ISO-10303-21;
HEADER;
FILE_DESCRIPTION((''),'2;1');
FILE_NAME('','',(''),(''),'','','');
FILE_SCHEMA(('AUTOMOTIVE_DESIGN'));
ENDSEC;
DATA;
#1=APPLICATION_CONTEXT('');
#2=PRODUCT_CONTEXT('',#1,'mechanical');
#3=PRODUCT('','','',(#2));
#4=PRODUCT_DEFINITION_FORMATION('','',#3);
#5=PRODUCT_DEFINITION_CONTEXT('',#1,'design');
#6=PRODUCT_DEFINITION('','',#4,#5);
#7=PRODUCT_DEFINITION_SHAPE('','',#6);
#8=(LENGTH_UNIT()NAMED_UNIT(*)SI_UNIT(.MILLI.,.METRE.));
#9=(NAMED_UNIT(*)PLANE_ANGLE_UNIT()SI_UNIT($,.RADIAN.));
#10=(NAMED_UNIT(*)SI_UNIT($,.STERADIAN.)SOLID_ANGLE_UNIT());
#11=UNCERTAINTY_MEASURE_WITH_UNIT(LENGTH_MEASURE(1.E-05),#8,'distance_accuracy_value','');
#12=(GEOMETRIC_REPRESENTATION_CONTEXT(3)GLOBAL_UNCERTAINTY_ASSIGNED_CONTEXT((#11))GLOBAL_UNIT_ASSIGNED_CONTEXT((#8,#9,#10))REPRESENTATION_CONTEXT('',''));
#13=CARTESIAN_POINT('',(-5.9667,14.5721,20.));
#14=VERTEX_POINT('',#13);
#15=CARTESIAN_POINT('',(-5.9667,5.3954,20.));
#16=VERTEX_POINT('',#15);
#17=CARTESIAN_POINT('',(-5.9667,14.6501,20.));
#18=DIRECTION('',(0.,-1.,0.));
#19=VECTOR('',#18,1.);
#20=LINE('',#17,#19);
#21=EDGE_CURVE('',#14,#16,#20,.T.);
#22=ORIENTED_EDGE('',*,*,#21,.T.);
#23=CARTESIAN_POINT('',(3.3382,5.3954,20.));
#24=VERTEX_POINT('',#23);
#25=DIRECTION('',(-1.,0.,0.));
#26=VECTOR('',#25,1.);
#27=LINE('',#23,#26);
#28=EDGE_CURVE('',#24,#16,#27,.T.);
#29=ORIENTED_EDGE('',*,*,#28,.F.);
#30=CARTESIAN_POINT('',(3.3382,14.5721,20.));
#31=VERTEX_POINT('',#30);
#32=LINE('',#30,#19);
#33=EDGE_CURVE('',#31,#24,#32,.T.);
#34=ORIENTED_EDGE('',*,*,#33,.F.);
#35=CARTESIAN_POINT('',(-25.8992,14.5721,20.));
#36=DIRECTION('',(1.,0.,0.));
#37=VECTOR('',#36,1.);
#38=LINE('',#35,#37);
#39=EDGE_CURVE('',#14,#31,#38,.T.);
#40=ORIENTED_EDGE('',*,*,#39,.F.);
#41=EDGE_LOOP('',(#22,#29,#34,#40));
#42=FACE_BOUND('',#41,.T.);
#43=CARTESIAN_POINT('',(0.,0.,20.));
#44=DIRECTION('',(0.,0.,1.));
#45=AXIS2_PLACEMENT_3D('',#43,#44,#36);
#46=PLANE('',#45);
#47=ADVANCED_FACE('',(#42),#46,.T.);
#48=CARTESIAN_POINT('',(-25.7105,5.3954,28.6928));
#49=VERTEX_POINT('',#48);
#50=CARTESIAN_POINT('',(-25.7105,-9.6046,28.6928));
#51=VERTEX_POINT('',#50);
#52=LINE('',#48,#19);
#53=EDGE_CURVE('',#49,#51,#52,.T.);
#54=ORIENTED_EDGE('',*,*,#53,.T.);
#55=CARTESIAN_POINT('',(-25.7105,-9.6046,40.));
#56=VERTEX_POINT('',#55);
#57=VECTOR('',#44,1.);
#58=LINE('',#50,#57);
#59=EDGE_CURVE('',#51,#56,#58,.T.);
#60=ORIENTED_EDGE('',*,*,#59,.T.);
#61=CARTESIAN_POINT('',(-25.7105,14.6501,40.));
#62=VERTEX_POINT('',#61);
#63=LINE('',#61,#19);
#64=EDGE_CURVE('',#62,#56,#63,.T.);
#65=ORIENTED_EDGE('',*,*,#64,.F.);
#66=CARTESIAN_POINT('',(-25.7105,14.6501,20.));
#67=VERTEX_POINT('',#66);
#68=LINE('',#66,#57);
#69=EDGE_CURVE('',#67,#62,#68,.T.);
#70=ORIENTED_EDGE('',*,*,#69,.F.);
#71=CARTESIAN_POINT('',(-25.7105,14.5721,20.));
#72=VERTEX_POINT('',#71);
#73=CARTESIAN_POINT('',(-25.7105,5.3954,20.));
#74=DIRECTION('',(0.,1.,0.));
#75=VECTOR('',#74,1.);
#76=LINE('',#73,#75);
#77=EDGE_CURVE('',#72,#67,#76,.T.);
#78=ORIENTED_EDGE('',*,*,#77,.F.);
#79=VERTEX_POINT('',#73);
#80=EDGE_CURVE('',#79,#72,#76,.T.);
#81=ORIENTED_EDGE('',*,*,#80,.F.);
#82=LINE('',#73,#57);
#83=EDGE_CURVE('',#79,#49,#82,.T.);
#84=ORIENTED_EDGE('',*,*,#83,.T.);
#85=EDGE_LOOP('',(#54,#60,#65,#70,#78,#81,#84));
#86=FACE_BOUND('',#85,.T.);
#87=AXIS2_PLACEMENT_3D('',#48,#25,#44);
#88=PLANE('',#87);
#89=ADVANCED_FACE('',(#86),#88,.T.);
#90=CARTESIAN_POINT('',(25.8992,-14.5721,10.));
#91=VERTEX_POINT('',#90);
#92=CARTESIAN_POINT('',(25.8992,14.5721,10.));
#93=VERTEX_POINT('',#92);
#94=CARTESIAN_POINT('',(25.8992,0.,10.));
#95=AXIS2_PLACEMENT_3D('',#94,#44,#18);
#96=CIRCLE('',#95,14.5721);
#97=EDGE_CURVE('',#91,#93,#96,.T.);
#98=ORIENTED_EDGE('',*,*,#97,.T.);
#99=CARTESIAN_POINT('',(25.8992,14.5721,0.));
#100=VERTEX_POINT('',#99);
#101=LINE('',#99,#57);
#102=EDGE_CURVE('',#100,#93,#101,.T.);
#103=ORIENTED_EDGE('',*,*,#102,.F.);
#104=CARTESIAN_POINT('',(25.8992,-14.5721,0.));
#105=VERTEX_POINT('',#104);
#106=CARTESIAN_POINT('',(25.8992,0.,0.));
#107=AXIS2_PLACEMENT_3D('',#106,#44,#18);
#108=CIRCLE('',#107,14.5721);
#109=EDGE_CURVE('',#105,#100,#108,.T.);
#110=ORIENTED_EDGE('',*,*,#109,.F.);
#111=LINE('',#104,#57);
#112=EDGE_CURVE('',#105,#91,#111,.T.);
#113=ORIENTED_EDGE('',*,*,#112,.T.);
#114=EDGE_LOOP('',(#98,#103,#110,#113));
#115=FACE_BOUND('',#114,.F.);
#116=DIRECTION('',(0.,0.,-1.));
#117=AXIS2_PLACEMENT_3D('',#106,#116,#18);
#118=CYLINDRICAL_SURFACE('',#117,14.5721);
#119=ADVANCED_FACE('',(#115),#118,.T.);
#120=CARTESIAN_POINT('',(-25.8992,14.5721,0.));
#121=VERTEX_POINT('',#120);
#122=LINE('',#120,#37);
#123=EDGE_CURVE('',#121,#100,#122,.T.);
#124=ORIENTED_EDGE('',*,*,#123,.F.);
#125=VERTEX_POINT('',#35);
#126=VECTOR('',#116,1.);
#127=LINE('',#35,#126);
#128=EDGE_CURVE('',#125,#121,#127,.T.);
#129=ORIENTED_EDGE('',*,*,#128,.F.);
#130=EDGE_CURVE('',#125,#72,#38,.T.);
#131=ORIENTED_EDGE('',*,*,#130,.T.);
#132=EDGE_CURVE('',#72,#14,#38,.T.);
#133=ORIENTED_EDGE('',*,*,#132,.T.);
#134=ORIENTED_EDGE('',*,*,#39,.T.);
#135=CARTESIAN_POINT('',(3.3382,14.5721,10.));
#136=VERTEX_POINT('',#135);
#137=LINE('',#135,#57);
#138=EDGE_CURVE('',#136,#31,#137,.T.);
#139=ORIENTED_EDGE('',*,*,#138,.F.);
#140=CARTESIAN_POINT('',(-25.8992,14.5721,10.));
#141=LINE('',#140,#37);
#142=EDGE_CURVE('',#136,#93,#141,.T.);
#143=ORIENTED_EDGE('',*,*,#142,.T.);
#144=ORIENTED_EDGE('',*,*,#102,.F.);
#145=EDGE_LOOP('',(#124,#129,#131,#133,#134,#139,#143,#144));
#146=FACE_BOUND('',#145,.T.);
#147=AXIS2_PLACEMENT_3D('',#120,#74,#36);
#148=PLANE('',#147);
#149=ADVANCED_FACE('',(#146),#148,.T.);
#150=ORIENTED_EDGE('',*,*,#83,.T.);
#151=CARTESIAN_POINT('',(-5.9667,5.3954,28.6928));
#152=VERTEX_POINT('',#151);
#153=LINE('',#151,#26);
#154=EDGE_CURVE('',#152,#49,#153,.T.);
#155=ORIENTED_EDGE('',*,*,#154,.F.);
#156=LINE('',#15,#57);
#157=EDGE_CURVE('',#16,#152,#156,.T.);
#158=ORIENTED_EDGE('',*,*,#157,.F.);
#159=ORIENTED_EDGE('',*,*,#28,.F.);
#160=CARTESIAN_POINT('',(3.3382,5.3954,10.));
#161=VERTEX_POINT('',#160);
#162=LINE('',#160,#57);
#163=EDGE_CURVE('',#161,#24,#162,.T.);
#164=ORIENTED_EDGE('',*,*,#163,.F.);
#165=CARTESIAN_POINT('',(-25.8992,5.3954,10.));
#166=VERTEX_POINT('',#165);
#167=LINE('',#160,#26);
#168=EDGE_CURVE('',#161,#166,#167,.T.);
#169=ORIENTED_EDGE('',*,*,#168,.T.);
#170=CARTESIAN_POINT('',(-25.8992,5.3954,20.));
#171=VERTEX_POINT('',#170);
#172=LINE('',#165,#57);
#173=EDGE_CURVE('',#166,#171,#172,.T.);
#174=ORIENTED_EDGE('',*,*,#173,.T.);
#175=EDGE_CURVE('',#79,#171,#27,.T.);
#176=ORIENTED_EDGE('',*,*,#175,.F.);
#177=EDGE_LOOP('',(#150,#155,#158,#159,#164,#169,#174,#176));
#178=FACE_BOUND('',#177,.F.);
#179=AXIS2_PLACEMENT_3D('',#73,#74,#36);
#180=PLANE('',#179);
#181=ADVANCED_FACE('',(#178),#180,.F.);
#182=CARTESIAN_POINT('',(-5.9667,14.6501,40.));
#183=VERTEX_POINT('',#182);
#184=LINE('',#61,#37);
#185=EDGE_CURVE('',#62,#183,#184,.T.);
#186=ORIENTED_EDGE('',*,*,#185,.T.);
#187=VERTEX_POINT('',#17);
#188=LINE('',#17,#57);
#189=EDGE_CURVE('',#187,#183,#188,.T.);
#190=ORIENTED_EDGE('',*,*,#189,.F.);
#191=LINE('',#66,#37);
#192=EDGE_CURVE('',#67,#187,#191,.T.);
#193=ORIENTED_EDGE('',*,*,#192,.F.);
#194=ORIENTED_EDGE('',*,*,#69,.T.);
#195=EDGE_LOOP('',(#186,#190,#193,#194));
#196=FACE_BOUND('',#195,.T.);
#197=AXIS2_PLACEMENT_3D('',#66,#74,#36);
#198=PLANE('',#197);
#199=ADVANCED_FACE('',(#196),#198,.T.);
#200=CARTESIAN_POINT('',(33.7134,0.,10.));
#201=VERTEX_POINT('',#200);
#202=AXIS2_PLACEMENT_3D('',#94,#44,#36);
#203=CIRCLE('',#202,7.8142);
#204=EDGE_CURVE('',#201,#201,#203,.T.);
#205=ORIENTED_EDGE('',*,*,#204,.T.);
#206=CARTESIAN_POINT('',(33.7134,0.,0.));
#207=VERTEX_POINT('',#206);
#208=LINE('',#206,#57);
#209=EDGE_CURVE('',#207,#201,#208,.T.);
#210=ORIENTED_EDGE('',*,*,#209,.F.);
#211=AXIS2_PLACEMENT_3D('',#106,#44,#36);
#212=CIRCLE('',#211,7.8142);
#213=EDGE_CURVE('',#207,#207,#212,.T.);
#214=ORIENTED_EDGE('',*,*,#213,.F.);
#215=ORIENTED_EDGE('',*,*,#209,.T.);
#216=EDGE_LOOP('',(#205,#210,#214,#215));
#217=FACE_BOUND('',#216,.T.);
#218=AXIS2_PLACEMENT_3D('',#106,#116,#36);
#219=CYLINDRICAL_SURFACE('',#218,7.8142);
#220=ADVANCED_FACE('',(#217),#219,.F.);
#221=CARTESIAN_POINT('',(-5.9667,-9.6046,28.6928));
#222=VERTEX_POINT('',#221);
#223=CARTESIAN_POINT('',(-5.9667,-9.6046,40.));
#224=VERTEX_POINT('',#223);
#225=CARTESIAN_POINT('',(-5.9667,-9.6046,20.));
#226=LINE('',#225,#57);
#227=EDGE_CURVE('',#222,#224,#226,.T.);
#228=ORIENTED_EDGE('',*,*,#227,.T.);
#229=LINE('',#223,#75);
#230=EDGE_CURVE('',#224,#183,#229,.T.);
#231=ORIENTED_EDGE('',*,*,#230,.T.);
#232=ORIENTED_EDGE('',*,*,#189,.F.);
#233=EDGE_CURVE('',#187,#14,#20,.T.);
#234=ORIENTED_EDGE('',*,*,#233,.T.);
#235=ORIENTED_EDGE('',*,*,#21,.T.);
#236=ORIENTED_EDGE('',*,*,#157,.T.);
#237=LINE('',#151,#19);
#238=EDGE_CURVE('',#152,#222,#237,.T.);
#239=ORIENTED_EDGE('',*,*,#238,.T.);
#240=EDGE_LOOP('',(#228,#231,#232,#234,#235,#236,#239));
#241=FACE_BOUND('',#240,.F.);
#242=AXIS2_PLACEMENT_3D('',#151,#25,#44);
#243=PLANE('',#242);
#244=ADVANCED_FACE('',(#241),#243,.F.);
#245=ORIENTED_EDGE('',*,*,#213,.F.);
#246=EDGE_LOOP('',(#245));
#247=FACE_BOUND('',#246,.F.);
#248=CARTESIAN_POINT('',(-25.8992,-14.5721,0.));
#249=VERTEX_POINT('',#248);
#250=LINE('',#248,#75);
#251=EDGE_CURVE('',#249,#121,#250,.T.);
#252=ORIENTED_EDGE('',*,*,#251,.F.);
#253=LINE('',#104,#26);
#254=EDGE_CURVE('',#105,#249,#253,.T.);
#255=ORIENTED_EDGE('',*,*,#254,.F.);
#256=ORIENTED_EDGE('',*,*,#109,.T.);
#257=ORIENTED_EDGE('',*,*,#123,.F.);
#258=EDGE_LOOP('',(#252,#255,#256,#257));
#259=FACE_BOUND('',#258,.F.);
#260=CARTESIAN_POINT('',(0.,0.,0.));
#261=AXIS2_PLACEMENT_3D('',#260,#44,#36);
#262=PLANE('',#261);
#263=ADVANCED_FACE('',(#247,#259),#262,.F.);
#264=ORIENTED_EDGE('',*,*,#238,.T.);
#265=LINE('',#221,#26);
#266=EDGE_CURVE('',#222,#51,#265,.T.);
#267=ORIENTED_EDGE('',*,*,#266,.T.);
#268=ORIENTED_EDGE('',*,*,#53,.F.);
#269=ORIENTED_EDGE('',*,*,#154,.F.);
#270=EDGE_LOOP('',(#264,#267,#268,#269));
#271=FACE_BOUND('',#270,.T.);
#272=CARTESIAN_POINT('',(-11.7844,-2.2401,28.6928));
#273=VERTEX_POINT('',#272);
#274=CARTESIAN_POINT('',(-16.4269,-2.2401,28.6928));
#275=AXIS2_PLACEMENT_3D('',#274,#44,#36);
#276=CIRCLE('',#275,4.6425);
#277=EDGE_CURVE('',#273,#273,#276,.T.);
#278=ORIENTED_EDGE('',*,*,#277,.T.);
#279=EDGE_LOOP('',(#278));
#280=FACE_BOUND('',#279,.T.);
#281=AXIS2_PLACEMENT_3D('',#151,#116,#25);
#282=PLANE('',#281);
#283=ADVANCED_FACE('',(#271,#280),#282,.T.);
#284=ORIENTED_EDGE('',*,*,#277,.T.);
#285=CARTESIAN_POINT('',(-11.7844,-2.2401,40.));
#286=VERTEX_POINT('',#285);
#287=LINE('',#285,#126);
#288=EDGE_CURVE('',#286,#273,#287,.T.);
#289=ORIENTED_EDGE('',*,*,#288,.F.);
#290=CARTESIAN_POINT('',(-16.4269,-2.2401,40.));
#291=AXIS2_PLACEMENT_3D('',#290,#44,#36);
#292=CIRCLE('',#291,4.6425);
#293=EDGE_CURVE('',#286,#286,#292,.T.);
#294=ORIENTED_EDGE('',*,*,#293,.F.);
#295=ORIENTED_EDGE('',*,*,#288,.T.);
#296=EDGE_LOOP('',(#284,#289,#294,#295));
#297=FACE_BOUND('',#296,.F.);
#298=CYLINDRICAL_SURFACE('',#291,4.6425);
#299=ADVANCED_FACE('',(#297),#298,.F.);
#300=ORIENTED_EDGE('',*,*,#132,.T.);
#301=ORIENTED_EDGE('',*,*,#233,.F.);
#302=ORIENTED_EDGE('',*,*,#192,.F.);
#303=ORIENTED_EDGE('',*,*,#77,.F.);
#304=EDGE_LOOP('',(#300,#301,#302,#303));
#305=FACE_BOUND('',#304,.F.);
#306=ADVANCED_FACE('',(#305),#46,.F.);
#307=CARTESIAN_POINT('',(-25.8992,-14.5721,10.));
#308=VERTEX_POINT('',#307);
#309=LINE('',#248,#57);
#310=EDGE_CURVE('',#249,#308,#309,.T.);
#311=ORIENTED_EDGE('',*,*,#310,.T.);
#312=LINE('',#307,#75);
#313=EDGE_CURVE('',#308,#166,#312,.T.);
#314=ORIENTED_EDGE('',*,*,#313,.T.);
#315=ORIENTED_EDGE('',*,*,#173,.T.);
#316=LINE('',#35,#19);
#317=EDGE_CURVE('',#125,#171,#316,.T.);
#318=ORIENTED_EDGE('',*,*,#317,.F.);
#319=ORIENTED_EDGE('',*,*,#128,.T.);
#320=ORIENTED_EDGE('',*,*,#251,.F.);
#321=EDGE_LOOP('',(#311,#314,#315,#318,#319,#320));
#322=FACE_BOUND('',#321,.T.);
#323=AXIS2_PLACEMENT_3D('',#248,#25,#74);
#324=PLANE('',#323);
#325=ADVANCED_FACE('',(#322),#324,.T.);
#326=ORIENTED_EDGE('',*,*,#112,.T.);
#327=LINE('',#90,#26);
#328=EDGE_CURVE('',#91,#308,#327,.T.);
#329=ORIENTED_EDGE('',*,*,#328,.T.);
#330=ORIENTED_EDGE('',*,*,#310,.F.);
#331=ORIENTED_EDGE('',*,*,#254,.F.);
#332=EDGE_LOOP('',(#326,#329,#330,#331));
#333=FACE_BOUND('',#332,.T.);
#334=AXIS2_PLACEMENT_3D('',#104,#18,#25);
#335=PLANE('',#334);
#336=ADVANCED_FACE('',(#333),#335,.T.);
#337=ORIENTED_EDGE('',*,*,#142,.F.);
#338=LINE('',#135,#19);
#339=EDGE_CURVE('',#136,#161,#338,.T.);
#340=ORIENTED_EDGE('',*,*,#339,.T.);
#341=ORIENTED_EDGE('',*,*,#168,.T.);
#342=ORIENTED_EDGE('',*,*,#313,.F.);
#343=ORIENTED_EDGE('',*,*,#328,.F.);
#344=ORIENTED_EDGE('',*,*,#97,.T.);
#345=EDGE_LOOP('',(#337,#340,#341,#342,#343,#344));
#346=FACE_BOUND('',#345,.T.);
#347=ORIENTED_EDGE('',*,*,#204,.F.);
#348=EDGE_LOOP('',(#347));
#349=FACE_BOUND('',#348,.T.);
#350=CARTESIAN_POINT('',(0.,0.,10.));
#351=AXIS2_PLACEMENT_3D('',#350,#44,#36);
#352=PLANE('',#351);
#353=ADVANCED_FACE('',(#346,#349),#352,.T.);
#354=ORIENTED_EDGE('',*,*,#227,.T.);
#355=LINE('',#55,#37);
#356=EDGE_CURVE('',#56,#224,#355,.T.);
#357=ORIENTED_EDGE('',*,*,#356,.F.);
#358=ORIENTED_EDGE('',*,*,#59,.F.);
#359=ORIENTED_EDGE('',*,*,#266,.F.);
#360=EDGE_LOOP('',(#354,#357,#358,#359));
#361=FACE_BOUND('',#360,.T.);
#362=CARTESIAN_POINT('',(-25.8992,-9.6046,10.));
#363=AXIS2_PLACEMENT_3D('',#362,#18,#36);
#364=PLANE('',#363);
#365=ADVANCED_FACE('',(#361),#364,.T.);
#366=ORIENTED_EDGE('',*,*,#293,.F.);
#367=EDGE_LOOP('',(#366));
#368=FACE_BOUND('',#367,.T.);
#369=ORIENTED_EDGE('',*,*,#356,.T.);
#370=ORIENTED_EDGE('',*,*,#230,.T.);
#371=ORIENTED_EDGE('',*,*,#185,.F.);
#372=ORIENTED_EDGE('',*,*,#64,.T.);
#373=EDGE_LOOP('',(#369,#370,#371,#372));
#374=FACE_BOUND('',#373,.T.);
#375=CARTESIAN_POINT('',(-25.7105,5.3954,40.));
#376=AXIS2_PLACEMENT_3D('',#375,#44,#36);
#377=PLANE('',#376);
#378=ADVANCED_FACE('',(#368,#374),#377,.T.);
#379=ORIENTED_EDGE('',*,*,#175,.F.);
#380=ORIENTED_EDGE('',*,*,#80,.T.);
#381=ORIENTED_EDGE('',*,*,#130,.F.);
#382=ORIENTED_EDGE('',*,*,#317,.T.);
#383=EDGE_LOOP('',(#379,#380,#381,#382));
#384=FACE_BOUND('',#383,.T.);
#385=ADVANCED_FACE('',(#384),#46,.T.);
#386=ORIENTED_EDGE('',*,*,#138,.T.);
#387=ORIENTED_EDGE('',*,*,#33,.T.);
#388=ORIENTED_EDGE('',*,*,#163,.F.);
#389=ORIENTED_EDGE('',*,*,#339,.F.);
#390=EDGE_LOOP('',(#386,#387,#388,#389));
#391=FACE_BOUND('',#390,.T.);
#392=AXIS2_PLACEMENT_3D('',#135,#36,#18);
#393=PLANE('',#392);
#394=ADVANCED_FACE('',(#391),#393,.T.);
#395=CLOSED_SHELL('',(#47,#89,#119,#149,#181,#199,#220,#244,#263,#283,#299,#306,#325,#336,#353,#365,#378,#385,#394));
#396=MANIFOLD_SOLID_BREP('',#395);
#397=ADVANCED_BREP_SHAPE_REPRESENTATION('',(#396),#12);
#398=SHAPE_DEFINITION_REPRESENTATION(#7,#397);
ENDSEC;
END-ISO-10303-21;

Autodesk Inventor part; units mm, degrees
ref_plane "YZ Plane" through (0, 0, 0) normal (1, 0, 0) x (0, 1, 0)
ref_plane "XZ Plane" through (0, 0, 0) normal (0, 1, 0) x (-1, 0, 0)
ref_plane "XY Plane" through (0, 0, 0) normal (0, 0, 1) x (1, 0, 0)
sketch "스케치1" plane through (0, 0, 0) normal (0, 0, 1) x (1, 0, 0)
  line L0 (25.8992, -14.5721) -> (-25.8992, -14.5721)
  line L1 (-25.8992, -14.5721) -> (-25.8992, 14.5721)
  line L2 (-25.8992, 14.5721) -> (25.8992, 14.5721)
  line L3 (25.8992, -14.5721) -> (-25.8992, 14.5721) construction
  line L4 (-25.8992, -14.5721) -> (25.8992, 14.5721) construction
  arc A0 (25.8992, -14.5721) -> (25.8992, 14.5721) centre (25.8992, 0) ccw
  circle A1 centre (25.8992, 0) radius 7.8142
  point P0 (0, 0)
extrude "돌출1" add sketch "스케치1" along normal blind 10
sketch "스케치2" plane through (0, 0, 10) normal (0, 0, 1) x (1, 0, 0)
  line L0 (-25.8992, 14.5721) -> (-25.8992, -14.5721) projected
  line L1 (-25.8992, 14.5721) -> (3.3382, 14.5721)
  line L2 (3.3382, 14.5721) -> (3.3382, 5.3954)
  line L3 (3.3382, 5.3954) -> (-25.8992, 5.3954)
  line L4 (-25.8992, 5.3954) -> (-25.8992, 14.5721)
  point P0 (0, 0)
extrude "돌출2" add sketch "스케치2" along normal blind 10
sketch "스케치3" plane through (0, 0, 20) normal (0, 0, 1) x (1, 0, 0)
  line L0 (-25.8992, 5.3954) -> (3.3382, 5.3954) projected
  line L1 (-25.7105, 14.6501) -> (-5.9667, 14.6501)
  line L2 (-5.9667, 14.6501) -> (-5.9667, 5.3954)
  line L3 (-5.9667, 5.3954) -> (-25.7105, 5.3954)
  line L4 (-25.7105, 5.3954) -> (-25.7105, 14.6501)
  point P0 (0, 0)
extrude "돌출3" add sketch "스케치3" along normal blind 20
sketch "스케치4" plane through (-25.8992, 5.3954, 10) normal (0, -1, 0) x (1, 0, 0)
  line L0 (0.1887, 30) -> (19.9325, 30) projected
  line L1 (19.9325, 10) -> (19.9325, 30) projected
  line L2 (0.1887, 30) -> (19.9325, 30)
  line L3 (19.9325, 30) -> (19.9325, 18.6928)
  line L4 (19.9325, 18.6928) -> (0.1887, 18.6928)
  line L5 (0.1887, 18.6928) -> (0.1887, 30)
  point P0 (25.8992, -10)
extrude "돌출4" add sketch "스케치4" along normal blind 15
sketch "스케치5" plane through (0, 0, 40) normal (0, 0, 1) x (1, 0, 0)
  circle A0 centre (-16.4269, -2.2401) radius 4.6425
  point P0 (0, 0)
extrude "돌출5" cut sketch "스케치5" against normal blind 15
properties part number "240503_3Dsketch07"
